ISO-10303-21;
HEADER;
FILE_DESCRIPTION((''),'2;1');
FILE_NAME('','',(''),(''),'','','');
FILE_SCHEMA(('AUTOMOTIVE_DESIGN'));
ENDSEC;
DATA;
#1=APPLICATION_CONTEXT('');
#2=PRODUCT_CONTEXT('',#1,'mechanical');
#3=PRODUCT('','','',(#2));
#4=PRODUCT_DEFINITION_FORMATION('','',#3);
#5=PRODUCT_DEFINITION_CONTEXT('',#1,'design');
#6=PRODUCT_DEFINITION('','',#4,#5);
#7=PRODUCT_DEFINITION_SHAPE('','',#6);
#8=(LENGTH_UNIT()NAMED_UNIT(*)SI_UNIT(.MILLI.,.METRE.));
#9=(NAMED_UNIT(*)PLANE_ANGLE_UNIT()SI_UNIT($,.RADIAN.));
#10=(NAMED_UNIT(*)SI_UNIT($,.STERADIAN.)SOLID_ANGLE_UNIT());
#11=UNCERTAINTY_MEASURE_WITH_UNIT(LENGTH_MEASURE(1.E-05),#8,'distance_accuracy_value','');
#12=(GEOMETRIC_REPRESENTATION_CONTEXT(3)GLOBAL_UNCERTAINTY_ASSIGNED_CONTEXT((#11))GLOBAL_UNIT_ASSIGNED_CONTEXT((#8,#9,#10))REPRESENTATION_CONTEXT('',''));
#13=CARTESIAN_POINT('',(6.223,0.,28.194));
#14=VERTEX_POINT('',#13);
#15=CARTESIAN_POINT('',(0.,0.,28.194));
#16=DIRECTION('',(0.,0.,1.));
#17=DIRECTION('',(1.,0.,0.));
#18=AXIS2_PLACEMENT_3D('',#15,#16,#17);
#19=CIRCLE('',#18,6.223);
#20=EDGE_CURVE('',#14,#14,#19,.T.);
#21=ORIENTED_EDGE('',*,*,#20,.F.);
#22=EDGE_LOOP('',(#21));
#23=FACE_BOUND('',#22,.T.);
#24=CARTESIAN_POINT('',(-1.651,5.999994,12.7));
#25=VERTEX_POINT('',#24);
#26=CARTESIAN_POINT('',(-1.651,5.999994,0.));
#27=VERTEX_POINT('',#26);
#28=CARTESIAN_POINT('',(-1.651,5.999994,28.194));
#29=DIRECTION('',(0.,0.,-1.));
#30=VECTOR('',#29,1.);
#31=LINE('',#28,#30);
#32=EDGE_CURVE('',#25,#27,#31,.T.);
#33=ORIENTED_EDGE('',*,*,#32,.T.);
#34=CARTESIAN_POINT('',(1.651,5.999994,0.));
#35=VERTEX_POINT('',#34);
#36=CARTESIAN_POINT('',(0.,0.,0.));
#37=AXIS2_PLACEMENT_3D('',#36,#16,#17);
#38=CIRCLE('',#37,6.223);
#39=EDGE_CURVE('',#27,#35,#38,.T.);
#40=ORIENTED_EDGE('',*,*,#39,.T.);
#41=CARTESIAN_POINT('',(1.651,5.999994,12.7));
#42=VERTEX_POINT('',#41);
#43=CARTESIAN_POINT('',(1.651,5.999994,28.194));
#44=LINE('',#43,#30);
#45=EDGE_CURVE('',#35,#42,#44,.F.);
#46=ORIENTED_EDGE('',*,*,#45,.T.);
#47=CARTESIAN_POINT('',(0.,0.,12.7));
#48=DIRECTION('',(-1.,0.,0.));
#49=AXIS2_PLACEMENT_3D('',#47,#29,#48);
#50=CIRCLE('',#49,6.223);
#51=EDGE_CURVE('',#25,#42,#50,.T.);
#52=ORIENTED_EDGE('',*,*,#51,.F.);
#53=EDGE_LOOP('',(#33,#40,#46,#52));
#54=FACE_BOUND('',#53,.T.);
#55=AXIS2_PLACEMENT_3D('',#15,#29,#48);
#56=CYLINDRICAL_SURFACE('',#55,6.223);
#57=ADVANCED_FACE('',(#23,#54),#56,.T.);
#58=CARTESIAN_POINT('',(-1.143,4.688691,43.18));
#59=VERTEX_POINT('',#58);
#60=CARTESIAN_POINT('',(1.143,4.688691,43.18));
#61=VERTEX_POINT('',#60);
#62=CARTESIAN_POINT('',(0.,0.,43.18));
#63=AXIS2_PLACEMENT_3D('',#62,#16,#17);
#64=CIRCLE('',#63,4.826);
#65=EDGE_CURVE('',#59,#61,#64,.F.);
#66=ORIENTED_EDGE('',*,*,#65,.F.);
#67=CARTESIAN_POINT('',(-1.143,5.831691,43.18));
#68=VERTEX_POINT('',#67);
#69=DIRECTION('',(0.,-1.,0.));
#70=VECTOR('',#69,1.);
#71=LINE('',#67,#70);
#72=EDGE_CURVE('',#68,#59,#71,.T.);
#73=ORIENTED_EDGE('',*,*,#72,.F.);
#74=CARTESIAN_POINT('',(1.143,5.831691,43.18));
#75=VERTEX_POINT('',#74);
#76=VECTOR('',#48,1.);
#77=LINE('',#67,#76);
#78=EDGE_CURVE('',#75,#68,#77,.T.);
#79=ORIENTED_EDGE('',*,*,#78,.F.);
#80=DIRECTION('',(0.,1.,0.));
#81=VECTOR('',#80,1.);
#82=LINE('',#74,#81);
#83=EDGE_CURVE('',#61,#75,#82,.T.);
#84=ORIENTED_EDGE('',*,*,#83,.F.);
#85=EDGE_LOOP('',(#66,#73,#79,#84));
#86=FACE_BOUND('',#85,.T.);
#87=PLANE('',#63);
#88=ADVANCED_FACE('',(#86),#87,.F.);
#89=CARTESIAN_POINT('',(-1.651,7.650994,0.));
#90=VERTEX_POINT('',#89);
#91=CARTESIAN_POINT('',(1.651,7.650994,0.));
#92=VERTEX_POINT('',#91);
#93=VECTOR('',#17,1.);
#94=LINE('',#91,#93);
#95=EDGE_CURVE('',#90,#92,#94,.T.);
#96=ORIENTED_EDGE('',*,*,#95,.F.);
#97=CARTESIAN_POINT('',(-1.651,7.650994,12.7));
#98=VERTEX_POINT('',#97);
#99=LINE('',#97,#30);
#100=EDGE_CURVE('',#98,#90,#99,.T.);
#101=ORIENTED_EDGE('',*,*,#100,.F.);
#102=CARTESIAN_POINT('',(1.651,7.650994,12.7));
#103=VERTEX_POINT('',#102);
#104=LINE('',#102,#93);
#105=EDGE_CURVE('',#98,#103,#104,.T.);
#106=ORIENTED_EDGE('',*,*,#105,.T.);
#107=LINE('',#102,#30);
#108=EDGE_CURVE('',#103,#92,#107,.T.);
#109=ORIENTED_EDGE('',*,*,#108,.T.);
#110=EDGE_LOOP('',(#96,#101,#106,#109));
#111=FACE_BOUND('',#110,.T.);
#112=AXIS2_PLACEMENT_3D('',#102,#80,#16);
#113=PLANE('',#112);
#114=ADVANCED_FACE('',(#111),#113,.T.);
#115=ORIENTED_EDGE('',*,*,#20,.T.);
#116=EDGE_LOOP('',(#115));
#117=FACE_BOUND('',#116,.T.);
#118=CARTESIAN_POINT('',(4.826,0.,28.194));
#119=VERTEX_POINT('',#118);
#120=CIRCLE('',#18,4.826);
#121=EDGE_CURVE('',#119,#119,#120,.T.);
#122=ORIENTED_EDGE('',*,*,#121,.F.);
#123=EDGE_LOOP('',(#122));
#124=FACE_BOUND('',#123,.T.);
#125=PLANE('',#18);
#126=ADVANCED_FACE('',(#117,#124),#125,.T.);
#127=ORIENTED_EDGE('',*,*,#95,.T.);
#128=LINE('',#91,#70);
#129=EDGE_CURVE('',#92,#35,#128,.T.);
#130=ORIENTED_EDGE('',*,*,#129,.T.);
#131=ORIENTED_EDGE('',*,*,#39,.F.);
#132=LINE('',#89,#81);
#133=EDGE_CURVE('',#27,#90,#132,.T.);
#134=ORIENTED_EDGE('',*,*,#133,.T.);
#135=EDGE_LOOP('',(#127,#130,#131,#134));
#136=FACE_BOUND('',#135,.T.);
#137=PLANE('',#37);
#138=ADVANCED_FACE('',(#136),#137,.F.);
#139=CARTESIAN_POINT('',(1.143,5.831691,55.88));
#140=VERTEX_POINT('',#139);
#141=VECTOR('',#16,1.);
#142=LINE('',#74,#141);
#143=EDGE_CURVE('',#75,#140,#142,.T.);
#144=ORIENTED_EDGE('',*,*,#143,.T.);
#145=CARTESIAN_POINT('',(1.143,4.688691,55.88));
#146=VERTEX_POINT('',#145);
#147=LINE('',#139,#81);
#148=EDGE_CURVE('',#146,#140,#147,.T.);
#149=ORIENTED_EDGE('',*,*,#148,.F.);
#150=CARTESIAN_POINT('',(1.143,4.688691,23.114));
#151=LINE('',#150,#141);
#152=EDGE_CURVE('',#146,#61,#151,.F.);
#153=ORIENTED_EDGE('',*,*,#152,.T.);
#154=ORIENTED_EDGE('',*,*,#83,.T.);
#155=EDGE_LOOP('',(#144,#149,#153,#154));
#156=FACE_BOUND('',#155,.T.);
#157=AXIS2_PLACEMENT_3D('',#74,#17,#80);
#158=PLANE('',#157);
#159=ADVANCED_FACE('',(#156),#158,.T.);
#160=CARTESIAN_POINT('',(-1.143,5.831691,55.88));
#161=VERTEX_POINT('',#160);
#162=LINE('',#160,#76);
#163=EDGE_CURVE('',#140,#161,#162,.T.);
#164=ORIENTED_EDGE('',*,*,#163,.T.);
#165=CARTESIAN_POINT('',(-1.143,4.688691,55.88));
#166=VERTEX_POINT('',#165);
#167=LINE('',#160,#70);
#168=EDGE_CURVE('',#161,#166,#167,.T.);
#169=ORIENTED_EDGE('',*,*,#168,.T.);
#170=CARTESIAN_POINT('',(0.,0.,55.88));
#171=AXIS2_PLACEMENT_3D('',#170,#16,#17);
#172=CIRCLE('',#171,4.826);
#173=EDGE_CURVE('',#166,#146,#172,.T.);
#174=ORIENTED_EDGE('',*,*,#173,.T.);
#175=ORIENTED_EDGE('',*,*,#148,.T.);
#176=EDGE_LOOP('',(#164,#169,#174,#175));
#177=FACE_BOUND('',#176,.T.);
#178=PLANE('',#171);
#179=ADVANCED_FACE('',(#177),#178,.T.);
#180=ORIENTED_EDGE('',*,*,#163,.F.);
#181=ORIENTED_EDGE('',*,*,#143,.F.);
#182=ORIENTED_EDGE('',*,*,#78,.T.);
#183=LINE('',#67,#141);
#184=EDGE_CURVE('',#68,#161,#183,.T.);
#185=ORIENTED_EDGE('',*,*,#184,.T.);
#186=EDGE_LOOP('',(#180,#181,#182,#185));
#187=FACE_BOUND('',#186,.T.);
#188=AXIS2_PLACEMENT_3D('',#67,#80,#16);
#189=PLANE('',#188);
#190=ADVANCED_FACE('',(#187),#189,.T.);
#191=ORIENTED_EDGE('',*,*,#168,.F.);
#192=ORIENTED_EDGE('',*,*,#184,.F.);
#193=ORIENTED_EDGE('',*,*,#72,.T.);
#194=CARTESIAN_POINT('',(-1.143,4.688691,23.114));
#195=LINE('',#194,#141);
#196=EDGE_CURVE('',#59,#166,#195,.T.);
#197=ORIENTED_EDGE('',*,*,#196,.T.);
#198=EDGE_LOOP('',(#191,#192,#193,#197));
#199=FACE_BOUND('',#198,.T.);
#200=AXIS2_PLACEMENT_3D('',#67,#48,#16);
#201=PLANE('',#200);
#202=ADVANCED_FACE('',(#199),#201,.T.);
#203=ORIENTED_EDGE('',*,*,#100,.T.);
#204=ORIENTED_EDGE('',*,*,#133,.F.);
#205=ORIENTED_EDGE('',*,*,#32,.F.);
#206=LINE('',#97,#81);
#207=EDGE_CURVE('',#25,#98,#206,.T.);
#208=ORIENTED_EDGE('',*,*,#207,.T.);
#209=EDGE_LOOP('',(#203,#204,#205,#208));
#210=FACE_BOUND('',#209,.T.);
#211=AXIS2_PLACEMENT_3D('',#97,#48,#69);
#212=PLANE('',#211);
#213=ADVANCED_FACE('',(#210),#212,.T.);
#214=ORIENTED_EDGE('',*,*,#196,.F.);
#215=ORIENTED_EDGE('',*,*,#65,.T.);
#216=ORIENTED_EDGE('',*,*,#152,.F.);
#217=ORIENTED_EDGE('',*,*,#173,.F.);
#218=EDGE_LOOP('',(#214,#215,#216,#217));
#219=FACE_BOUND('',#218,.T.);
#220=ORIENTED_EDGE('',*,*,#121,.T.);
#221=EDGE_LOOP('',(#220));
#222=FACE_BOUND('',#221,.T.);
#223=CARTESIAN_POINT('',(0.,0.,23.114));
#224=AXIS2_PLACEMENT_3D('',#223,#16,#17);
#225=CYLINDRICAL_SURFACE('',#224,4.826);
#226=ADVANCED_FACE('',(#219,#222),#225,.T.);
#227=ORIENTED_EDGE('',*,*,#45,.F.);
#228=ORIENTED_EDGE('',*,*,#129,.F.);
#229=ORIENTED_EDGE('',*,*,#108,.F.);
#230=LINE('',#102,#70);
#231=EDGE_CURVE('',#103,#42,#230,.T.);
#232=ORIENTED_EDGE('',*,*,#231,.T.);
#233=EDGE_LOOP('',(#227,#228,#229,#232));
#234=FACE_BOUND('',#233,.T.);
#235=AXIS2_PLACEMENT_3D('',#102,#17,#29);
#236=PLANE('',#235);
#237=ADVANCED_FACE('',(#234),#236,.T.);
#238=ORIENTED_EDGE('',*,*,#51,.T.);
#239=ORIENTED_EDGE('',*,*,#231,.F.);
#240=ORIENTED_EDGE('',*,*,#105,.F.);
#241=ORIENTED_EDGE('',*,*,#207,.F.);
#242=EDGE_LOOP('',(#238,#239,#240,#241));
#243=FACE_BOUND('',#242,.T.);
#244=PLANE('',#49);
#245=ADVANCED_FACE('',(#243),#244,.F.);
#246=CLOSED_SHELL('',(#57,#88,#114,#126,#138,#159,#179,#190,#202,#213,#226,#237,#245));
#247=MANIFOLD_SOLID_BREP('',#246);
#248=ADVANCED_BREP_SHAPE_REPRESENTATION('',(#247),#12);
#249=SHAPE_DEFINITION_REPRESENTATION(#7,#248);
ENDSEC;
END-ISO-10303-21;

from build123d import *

# Parameters (mm, degrees)
SKETCH1_R                = 6.223
BOSS_EXTRUDE1_DEPTH      = 28.194
SKETCH2_R                = 4.826
BOSS_EXTRUDE2_DEPTH      = 27.686
BOSS_EXTRUDE2_DEPTH_BACK = 5.08
SKETCH3_W                = 2.286
SKETCH3_H                = 2.286
BOSS_EXTRUDE3_DEPTH      = 12.7
SKETCH4_W                = 3.302
SKETCH4_H                = 3.302
BOSS_EXTRUDE4_DEPTH      = 12.7


with BuildPart() as part:
    # Sketch1 → Boss-Extrude1 (new body)
    with BuildSketch(Plane.XY):
        Circle(SKETCH1_R)
    extrude(amount=BOSS_EXTRUDE1_DEPTH)

    # Sketch2 → Boss-Extrude2 (add, two sides)
    with BuildSketch(Plane.XY.offset(28.194)) as boss_extrude2_sk:
        Circle(SKETCH2_R)
    extrude(amount=BOSS_EXTRUDE2_DEPTH)
    extrude(boss_extrude2_sk.sketch, amount=-BOSS_EXTRUDE2_DEPTH_BACK)

    # Sketch3 → Boss-Extrude3 (add)
    with BuildSketch(Plane.XY.offset(55.88)):
        with Locations((0, 4.688691395)):
            Rectangle(SKETCH3_W, SKETCH3_H)
    extrude(amount=-BOSS_EXTRUDE3_DEPTH)

    # Sketch4 → Boss-Extrude4 (add)
    with BuildSketch(Plane(origin=(0, 0, 0), x_dir=(-1, 0, 0), z_dir=(0, 0, -1))):
        with Locations((0, 5.999994)):
            Rectangle(SKETCH4_W, SKETCH4_H)
    extrude(amount=-BOSS_EXTRUDE4_DEPTH)


solid = part.part
